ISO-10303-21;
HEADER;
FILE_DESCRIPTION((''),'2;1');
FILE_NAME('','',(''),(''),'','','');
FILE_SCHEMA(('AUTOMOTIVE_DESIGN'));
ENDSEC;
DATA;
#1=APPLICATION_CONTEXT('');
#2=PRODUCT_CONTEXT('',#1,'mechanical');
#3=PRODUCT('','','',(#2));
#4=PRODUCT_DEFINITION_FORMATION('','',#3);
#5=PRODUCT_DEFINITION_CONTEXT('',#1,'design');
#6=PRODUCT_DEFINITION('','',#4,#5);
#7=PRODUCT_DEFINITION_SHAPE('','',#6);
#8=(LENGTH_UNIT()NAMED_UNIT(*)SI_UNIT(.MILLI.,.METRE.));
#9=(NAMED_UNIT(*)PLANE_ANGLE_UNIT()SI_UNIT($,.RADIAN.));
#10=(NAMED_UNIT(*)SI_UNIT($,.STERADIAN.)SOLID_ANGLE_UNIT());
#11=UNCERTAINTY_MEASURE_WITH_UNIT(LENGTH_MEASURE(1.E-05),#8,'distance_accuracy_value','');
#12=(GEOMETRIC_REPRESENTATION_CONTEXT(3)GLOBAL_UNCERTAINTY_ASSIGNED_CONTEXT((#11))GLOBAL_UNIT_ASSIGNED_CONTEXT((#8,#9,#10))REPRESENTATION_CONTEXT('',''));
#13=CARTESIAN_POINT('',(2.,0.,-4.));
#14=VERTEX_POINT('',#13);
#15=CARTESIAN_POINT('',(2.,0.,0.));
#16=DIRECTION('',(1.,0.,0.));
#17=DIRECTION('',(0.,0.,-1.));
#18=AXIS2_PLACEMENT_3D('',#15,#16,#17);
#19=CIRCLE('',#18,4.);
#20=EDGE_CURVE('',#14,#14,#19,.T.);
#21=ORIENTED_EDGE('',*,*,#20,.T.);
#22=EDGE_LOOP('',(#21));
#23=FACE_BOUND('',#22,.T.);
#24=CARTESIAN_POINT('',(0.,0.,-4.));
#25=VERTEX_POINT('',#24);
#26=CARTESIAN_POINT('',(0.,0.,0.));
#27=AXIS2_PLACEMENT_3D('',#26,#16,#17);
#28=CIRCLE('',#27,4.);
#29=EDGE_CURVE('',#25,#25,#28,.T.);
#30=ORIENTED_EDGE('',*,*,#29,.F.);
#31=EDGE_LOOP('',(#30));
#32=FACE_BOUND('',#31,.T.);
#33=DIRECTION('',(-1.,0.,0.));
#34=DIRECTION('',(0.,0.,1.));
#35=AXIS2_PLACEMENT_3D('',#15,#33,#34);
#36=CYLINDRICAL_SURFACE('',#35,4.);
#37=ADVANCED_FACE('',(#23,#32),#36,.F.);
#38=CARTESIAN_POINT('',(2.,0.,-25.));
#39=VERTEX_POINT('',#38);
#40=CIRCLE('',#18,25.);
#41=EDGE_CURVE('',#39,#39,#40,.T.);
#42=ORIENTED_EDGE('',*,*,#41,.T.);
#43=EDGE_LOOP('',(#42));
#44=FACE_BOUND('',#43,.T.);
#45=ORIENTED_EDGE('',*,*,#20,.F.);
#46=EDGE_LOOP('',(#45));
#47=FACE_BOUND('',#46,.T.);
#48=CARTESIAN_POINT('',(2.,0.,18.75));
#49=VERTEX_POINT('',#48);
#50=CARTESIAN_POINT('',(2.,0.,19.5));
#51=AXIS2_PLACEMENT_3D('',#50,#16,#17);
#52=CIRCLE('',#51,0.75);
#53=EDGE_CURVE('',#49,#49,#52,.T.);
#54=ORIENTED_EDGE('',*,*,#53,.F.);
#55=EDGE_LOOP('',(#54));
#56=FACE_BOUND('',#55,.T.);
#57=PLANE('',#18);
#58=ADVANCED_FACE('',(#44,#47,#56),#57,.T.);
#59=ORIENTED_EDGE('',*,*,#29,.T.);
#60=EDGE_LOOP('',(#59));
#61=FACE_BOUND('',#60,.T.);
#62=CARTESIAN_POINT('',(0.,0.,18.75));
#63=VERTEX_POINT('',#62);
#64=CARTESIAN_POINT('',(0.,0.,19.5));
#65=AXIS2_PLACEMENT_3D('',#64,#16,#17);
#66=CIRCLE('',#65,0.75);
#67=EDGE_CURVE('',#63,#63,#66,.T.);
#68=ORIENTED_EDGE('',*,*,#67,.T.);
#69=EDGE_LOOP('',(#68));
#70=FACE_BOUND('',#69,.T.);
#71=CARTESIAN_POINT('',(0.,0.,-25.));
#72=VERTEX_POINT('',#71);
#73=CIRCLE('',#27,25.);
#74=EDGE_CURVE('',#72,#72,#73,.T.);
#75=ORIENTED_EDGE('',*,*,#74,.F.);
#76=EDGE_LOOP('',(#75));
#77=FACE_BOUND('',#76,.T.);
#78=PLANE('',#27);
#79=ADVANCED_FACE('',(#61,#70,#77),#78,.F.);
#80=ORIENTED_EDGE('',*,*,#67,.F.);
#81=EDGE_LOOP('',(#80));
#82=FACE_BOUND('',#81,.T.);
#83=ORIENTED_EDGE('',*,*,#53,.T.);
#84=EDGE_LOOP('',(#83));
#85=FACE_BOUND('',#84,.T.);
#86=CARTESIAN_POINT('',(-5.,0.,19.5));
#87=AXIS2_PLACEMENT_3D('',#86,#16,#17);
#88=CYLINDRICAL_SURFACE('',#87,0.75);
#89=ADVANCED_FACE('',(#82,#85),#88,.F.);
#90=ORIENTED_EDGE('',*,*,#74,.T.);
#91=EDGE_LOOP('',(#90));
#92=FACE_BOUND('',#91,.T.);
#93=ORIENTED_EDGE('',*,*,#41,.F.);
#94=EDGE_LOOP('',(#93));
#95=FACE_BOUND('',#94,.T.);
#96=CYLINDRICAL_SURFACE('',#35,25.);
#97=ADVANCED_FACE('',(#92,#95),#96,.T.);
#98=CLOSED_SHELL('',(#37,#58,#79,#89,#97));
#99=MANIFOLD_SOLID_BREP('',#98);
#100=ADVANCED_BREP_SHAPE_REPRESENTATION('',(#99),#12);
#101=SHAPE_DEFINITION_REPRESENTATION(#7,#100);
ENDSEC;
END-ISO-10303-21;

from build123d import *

# Parameters (mm, degrees)
SKETCH1_R           = 25
SKETCH1_R_2         = 4
BOSS_EXTRUDE1_DEPTH = 2
SKETCH2_R           = 0.75
CUT_EXTRUDE5_DEPTH  = 5


with BuildPart() as part:
    # Sketch1 → Boss-Extrude1 (new body)
    with BuildSketch(Plane(origin=(0, 0, 0), x_dir=(0, 0, -1), z_dir=(1, 0, 0))):
        Circle(SKETCH1_R)
        Circle(SKETCH1_R_2, mode=Mode.SUBTRACT)
    extrude(amount=BOSS_EXTRUDE1_DEPTH)

    # Sketch2 → Cut-Extrude5 (cut, symmetric)
    with BuildSketch(Plane(origin=(0, 0, 0), x_dir=(0, 0, -1), z_dir=(1, 0, 0))):
        with Locations((-19.5, 0)):
            Circle(SKETCH2_R)
    extrude(amount=CUT_EXTRUDE5_DEPTH, both=True, mode=Mode.SUBTRACT)


solid = part.part
